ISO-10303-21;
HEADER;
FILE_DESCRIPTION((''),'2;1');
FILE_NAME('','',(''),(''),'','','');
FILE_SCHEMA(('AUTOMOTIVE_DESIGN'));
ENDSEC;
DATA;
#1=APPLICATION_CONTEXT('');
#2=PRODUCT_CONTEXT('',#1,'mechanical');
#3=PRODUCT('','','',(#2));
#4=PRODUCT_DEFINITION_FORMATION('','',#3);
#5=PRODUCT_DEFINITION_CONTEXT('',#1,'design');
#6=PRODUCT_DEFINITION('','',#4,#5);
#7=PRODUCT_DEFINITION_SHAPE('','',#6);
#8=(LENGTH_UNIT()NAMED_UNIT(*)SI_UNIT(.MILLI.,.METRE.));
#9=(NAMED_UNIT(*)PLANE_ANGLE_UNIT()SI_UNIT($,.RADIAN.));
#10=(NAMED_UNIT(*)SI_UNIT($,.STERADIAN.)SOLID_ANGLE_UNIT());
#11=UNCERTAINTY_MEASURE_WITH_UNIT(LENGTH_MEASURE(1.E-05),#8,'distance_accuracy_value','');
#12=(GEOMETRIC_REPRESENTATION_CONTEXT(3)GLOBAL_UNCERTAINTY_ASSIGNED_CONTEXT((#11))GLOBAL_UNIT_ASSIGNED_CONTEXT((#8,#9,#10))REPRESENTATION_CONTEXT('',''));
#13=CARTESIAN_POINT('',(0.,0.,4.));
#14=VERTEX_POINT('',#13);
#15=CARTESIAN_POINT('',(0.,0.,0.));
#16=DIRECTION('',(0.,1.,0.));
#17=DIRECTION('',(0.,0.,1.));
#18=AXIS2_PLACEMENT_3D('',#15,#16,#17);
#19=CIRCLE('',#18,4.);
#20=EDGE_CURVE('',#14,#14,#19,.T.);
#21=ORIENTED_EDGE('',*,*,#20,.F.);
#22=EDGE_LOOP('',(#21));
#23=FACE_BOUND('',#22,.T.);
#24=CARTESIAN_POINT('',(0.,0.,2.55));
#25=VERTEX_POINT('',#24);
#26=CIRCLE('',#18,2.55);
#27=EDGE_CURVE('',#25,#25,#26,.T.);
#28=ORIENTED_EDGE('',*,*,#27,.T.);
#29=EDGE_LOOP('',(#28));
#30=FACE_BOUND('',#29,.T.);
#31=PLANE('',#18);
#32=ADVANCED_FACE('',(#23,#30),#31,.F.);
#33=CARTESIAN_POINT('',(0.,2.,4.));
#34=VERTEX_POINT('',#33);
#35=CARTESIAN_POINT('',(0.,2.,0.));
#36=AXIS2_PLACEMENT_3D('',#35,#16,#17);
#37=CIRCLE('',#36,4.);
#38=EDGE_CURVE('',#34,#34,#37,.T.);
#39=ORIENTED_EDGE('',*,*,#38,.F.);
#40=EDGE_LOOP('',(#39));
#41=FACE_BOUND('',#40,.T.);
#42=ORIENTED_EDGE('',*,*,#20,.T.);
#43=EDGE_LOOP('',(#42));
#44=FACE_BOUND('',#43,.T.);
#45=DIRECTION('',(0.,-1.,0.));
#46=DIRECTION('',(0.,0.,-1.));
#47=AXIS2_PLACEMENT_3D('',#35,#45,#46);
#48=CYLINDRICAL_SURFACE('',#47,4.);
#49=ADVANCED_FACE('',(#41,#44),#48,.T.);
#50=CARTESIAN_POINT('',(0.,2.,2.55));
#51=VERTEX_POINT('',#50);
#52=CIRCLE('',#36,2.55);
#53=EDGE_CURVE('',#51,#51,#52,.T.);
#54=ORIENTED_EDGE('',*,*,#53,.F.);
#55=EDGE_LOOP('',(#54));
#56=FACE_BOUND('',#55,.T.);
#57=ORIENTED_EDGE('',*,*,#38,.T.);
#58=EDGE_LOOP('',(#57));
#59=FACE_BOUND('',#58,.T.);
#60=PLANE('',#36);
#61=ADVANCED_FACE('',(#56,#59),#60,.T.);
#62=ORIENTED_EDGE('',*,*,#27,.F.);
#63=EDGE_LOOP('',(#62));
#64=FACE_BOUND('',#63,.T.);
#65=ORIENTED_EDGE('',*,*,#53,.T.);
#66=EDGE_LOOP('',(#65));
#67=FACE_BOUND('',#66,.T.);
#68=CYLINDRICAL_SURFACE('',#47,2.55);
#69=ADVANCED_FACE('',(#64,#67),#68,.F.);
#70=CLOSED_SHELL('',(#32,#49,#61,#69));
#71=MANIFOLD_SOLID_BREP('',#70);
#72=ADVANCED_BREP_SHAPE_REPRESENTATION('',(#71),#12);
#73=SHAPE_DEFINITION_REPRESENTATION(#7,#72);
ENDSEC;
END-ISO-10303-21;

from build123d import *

# Parameters (mm, degrees)
SKETCH1_R           = 4
SKETCH1_R_2         = 2.55
BOSS_EXTRUDE1_DEPTH = 2


with BuildPart() as part:
    # Sketch1 → Boss-Extrude1 (new body)
    with BuildSketch(Plane(origin=(0, 0, 0), x_dir=(1, 0, 0), z_dir=(0, 1, 0))):
        with Locations(Location((0, 0, 0), (0, 0, 270))):
            Circle(SKETCH1_R)
        with Locations(Location((0, 0, 0), (0, 0, 270))):
            Circle(SKETCH1_R_2, mode=Mode.SUBTRACT)
    extrude(amount=BOSS_EXTRUDE1_DEPTH)


solid = part.part
